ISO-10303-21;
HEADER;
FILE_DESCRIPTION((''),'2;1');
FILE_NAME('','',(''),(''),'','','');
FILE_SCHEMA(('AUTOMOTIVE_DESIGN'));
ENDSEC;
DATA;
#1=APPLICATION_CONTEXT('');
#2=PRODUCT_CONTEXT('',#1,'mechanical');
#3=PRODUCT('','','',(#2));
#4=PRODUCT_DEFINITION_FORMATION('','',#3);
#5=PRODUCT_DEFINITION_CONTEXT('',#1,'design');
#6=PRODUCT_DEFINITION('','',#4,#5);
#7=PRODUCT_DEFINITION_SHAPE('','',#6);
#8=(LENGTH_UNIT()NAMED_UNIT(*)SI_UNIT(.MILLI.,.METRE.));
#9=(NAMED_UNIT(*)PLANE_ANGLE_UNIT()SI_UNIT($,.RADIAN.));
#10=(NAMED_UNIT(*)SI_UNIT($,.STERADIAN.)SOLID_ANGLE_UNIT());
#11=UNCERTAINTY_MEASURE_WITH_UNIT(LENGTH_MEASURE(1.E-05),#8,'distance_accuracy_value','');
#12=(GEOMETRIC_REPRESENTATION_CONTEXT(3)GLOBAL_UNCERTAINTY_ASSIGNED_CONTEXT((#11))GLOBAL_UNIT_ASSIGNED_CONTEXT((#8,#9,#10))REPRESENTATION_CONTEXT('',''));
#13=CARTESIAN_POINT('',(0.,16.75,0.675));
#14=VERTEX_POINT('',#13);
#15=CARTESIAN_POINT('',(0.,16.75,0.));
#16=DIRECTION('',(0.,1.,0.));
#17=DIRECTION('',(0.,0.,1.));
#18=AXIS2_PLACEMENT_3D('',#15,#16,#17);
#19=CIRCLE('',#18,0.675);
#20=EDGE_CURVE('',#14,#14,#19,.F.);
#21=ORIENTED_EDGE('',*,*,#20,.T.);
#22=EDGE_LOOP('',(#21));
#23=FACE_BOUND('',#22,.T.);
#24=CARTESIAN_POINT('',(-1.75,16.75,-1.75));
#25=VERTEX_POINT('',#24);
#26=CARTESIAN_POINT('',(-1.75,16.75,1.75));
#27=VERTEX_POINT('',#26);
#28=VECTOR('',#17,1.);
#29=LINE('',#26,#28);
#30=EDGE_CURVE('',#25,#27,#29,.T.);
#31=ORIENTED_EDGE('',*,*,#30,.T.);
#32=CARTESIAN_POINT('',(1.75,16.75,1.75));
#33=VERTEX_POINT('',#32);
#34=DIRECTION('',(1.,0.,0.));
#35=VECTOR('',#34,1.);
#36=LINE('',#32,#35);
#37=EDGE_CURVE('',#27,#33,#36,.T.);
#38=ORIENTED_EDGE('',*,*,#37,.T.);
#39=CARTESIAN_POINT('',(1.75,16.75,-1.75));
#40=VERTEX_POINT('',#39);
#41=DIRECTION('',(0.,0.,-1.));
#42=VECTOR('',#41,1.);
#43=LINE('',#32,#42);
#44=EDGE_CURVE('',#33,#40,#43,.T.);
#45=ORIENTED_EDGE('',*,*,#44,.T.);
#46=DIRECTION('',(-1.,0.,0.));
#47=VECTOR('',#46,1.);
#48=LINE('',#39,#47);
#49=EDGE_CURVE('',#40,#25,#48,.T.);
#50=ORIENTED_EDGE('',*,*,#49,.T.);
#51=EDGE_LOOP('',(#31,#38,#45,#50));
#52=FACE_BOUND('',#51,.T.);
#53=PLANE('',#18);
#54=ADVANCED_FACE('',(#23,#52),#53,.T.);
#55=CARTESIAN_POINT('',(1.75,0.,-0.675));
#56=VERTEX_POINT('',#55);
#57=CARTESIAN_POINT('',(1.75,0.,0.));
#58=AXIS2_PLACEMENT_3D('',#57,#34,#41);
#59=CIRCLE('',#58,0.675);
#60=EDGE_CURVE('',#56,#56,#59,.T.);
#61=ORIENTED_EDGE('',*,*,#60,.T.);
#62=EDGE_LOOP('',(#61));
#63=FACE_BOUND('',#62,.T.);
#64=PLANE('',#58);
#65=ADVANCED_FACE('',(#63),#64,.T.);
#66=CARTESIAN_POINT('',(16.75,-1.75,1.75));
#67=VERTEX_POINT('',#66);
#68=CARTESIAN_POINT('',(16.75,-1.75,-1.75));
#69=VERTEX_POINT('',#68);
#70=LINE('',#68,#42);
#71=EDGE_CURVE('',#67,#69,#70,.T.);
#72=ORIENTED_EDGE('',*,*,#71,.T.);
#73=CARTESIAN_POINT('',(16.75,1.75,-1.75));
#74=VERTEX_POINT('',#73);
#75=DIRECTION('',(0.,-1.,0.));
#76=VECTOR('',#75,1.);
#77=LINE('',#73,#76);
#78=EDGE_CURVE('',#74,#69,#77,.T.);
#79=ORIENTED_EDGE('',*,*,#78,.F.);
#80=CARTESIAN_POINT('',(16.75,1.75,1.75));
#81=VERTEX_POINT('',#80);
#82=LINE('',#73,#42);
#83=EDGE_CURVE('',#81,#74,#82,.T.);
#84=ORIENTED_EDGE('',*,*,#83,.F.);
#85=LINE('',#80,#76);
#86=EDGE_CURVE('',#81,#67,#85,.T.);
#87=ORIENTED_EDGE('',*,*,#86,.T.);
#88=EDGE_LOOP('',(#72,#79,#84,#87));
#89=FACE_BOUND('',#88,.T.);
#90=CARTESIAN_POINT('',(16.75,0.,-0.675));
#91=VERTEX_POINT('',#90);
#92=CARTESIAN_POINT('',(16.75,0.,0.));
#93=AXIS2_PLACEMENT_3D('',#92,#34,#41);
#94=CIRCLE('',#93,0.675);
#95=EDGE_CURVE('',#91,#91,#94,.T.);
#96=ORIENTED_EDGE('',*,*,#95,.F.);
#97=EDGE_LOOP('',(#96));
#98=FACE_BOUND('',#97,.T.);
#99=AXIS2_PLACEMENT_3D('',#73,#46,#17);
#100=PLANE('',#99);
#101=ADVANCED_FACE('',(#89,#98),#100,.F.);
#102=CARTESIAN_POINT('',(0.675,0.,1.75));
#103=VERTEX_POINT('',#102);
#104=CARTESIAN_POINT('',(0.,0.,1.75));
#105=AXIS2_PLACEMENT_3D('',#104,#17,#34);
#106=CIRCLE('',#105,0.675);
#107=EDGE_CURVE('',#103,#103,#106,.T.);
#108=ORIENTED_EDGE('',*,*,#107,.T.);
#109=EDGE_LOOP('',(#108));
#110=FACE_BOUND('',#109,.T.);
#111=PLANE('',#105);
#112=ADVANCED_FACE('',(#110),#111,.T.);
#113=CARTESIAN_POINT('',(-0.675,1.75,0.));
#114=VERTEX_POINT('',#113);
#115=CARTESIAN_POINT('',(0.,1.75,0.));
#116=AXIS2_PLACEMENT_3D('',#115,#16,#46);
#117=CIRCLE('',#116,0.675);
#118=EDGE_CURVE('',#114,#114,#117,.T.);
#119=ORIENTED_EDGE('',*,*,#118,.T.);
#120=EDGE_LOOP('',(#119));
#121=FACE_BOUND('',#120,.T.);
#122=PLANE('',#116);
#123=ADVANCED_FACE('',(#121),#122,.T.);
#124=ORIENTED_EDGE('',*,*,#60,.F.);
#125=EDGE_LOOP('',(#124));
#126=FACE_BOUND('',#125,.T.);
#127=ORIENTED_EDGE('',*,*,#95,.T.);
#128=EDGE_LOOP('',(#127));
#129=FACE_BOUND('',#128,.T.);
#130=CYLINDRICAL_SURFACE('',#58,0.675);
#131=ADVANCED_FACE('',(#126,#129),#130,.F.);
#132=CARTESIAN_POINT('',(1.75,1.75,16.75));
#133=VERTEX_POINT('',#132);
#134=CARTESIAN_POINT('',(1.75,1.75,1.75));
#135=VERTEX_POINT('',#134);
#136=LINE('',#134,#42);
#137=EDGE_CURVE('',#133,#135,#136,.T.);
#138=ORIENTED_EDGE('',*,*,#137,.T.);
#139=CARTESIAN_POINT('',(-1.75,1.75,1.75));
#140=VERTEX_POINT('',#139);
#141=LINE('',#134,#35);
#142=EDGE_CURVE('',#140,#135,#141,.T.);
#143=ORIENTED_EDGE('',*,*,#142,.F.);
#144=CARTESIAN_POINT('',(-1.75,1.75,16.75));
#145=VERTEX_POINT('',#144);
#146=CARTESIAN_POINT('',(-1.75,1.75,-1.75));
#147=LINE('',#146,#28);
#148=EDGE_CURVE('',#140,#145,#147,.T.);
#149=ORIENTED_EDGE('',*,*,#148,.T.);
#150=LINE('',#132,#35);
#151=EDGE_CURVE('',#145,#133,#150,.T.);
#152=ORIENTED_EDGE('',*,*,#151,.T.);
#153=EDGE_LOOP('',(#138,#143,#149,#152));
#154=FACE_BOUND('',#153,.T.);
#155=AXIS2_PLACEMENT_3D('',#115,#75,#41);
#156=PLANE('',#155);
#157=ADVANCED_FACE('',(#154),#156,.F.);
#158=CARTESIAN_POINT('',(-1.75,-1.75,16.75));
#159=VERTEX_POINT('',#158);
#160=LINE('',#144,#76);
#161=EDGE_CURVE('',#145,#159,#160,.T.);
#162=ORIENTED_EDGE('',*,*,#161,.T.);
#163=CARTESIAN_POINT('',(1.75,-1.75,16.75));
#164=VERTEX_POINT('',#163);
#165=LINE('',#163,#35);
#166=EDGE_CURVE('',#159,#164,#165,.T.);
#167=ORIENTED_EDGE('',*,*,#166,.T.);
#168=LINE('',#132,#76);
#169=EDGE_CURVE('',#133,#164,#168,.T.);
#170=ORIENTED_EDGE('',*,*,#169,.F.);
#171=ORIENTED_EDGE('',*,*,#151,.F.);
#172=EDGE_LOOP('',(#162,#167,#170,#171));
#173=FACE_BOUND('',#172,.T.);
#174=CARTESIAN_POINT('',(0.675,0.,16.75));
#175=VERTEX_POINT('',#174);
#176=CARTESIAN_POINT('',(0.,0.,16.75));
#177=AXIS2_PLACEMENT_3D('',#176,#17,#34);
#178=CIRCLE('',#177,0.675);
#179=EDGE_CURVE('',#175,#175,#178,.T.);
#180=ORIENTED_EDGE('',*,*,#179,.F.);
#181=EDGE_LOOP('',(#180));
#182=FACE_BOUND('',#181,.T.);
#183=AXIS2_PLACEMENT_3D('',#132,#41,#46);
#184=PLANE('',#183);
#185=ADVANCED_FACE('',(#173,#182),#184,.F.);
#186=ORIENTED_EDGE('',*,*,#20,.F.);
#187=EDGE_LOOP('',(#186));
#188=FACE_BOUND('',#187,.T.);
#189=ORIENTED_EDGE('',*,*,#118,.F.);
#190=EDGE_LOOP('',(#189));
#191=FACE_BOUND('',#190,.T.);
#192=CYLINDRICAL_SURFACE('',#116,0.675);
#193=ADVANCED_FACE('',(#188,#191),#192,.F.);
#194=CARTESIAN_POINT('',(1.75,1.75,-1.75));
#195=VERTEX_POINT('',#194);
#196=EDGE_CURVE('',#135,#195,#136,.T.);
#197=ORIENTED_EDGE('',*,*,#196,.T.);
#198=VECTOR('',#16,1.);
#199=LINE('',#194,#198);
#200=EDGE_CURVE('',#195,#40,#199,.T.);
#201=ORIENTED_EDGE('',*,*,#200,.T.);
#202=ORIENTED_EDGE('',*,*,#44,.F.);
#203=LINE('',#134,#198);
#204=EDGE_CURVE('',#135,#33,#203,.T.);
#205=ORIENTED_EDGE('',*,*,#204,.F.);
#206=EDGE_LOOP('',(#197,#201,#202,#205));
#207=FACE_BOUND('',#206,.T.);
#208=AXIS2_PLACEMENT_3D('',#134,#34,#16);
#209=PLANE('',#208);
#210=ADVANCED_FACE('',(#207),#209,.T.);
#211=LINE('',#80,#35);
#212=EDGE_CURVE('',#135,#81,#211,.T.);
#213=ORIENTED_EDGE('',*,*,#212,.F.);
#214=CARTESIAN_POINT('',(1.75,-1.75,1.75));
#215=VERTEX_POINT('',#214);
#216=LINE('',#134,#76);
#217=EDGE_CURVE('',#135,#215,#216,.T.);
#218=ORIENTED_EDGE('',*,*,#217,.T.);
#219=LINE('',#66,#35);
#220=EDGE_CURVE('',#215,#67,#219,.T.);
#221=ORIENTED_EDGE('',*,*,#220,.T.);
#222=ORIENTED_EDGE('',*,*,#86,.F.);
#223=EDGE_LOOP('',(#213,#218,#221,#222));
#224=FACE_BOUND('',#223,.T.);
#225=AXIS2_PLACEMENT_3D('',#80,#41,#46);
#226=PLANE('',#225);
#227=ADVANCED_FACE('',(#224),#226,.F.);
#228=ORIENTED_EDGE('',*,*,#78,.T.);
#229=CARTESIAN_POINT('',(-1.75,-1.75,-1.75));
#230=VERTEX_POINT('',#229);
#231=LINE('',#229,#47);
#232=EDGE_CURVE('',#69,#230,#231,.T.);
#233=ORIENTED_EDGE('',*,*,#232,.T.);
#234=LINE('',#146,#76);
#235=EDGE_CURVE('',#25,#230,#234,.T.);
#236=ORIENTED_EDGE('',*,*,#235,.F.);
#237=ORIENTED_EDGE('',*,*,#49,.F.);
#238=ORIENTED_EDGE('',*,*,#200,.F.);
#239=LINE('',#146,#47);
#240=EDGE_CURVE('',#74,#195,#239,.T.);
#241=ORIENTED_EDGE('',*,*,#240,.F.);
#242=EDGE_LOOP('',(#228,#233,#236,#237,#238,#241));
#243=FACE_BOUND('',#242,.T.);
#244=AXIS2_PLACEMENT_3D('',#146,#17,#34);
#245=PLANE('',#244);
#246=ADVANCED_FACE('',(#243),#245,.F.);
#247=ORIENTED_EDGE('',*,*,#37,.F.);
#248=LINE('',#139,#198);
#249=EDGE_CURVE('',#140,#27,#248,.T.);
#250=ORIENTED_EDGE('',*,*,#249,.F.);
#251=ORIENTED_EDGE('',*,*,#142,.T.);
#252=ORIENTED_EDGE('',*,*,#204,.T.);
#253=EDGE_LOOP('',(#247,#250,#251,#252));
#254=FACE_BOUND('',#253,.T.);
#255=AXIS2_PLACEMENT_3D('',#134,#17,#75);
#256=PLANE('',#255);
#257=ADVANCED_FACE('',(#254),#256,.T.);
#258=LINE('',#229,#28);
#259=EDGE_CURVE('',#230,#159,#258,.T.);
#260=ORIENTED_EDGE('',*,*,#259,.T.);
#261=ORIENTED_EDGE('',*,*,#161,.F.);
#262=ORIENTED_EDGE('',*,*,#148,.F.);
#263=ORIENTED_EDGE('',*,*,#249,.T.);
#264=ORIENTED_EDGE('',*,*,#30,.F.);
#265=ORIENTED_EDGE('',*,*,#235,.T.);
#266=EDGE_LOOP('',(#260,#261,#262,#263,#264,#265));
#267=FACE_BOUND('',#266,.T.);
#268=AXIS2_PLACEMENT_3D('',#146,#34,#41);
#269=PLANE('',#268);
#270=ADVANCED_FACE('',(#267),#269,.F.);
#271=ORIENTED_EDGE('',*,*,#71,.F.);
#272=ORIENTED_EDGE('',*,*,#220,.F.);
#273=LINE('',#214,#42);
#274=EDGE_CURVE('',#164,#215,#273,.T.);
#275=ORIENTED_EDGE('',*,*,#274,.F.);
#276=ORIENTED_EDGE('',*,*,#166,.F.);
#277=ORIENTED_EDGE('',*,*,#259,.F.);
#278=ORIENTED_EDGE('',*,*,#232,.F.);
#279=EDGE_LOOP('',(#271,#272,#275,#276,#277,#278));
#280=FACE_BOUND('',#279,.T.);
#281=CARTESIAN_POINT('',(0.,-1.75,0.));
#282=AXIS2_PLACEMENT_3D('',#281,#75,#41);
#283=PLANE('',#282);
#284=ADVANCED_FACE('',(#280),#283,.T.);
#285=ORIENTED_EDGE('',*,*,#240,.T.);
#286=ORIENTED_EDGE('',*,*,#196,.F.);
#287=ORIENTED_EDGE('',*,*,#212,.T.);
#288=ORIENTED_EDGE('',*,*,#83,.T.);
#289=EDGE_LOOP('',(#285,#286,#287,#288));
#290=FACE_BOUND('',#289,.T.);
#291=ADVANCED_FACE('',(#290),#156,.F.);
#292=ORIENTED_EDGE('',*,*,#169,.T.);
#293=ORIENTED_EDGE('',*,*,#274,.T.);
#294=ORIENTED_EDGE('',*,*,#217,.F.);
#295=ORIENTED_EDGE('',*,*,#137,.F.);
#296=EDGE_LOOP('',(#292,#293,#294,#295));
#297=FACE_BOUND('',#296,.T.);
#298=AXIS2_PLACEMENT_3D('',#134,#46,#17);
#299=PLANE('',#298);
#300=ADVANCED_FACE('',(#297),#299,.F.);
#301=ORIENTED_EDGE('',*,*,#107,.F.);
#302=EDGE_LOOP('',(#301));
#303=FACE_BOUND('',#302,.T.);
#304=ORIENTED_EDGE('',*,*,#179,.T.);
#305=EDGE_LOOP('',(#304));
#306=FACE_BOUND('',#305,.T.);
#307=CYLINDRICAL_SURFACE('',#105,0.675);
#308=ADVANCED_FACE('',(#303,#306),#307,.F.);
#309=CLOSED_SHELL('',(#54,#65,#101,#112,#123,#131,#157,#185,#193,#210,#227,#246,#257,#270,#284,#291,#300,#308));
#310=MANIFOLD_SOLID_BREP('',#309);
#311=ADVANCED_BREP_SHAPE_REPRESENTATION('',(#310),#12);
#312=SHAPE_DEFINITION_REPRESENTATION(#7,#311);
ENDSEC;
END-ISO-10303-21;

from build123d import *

# Parameters (mm, degrees)
BOSS_EXTRUDE1_DEPTH  = 1.75
SKETCH3_R            = 0.675
CUT_EXTRUDE1_DEPTH   = 15
SKETCH4_R            = 0.675
CUT_EXTRUDE2_DEPTH   = 15
SKETCH5_W            = 3.5
SKETCH5_H            = 3.5
CUT_SWEEP1_PROFILE_R = 0.675


with BuildPart() as part:
    # Sketch2 → Boss-Extrude1 (new, symmetric)
    with BuildSketch(Plane(origin=(0, 0, 0), x_dir=(1, 0, 0), z_dir=(0, 1, 0))):
        Polygon((-1.75, 1.75), (-1.75, -16.75), (1.75, -16.75), (1.75, -1.75), (16.75, -1.75), (16.75, 1.75), align=None)
    extrude(amount=BOSS_EXTRUDE1_DEPTH, both=True)

    # Sketch3 → Cut-Extrude1 (cut)
    with BuildSketch(Plane.XY.offset(16.75)):
        Circle(SKETCH3_R)
    extrude(amount=-CUT_EXTRUDE1_DEPTH, mode=Mode.SUBTRACT)

    # Sketch4 → Cut-Extrude2 (cut)
    with BuildSketch(Plane(origin=(16.75, 0, 0), x_dir=(0, 0, -1), z_dir=(1, 0, 0))):
        Circle(SKETCH4_R)
    extrude(amount=-CUT_EXTRUDE2_DEPTH, mode=Mode.SUBTRACT)

    # Sweep1: sweep along a path in Sketch7
    with BuildLine(Plane(origin=(0, 0, 0), x_dir=(0.7071067811865477, 0, 0.7071067811865475), z_dir=(-0.7071067811865475, 0, 0.7071067811865477))) as sweep1_path:
        Line((0, 1.75), (0, 16.75))
    # Sketch5 → Sweep1 (sweep)
    with BuildSketch(Plane(origin=(0, 1.75, 0), x_dir=(1, 0, 0), z_dir=(0, 1, 0))):
        Rectangle(SKETCH5_W, SKETCH5_H)
    sweep(path=sweep1_path.line)

    # Cut-Sweep1: sweep along a path in Sketch7<2>
    with BuildLine(Plane(origin=(0, 0, 0), x_dir=(0.7071067811865477, 0, 0.7071067811865475), z_dir=(-0.7071067811865475, 0, 0.7071067811865477))) as cut_sweep1_path:
        Line((0, 1.75), (0, 16.75))
    # Cut-Sweep1 profile (on start of the path) → Cut-Sweep1 (sweep, cut)
    with BuildSketch(Plane(origin=(0, 1.75, 0), x_dir=(1, 0, 0), z_dir=(0, 1, 0))):
        Circle(CUT_SWEEP1_PROFILE_R)
    sweep(path=cut_sweep1_path.line, mode=Mode.SUBTRACT)


solid = part.part
